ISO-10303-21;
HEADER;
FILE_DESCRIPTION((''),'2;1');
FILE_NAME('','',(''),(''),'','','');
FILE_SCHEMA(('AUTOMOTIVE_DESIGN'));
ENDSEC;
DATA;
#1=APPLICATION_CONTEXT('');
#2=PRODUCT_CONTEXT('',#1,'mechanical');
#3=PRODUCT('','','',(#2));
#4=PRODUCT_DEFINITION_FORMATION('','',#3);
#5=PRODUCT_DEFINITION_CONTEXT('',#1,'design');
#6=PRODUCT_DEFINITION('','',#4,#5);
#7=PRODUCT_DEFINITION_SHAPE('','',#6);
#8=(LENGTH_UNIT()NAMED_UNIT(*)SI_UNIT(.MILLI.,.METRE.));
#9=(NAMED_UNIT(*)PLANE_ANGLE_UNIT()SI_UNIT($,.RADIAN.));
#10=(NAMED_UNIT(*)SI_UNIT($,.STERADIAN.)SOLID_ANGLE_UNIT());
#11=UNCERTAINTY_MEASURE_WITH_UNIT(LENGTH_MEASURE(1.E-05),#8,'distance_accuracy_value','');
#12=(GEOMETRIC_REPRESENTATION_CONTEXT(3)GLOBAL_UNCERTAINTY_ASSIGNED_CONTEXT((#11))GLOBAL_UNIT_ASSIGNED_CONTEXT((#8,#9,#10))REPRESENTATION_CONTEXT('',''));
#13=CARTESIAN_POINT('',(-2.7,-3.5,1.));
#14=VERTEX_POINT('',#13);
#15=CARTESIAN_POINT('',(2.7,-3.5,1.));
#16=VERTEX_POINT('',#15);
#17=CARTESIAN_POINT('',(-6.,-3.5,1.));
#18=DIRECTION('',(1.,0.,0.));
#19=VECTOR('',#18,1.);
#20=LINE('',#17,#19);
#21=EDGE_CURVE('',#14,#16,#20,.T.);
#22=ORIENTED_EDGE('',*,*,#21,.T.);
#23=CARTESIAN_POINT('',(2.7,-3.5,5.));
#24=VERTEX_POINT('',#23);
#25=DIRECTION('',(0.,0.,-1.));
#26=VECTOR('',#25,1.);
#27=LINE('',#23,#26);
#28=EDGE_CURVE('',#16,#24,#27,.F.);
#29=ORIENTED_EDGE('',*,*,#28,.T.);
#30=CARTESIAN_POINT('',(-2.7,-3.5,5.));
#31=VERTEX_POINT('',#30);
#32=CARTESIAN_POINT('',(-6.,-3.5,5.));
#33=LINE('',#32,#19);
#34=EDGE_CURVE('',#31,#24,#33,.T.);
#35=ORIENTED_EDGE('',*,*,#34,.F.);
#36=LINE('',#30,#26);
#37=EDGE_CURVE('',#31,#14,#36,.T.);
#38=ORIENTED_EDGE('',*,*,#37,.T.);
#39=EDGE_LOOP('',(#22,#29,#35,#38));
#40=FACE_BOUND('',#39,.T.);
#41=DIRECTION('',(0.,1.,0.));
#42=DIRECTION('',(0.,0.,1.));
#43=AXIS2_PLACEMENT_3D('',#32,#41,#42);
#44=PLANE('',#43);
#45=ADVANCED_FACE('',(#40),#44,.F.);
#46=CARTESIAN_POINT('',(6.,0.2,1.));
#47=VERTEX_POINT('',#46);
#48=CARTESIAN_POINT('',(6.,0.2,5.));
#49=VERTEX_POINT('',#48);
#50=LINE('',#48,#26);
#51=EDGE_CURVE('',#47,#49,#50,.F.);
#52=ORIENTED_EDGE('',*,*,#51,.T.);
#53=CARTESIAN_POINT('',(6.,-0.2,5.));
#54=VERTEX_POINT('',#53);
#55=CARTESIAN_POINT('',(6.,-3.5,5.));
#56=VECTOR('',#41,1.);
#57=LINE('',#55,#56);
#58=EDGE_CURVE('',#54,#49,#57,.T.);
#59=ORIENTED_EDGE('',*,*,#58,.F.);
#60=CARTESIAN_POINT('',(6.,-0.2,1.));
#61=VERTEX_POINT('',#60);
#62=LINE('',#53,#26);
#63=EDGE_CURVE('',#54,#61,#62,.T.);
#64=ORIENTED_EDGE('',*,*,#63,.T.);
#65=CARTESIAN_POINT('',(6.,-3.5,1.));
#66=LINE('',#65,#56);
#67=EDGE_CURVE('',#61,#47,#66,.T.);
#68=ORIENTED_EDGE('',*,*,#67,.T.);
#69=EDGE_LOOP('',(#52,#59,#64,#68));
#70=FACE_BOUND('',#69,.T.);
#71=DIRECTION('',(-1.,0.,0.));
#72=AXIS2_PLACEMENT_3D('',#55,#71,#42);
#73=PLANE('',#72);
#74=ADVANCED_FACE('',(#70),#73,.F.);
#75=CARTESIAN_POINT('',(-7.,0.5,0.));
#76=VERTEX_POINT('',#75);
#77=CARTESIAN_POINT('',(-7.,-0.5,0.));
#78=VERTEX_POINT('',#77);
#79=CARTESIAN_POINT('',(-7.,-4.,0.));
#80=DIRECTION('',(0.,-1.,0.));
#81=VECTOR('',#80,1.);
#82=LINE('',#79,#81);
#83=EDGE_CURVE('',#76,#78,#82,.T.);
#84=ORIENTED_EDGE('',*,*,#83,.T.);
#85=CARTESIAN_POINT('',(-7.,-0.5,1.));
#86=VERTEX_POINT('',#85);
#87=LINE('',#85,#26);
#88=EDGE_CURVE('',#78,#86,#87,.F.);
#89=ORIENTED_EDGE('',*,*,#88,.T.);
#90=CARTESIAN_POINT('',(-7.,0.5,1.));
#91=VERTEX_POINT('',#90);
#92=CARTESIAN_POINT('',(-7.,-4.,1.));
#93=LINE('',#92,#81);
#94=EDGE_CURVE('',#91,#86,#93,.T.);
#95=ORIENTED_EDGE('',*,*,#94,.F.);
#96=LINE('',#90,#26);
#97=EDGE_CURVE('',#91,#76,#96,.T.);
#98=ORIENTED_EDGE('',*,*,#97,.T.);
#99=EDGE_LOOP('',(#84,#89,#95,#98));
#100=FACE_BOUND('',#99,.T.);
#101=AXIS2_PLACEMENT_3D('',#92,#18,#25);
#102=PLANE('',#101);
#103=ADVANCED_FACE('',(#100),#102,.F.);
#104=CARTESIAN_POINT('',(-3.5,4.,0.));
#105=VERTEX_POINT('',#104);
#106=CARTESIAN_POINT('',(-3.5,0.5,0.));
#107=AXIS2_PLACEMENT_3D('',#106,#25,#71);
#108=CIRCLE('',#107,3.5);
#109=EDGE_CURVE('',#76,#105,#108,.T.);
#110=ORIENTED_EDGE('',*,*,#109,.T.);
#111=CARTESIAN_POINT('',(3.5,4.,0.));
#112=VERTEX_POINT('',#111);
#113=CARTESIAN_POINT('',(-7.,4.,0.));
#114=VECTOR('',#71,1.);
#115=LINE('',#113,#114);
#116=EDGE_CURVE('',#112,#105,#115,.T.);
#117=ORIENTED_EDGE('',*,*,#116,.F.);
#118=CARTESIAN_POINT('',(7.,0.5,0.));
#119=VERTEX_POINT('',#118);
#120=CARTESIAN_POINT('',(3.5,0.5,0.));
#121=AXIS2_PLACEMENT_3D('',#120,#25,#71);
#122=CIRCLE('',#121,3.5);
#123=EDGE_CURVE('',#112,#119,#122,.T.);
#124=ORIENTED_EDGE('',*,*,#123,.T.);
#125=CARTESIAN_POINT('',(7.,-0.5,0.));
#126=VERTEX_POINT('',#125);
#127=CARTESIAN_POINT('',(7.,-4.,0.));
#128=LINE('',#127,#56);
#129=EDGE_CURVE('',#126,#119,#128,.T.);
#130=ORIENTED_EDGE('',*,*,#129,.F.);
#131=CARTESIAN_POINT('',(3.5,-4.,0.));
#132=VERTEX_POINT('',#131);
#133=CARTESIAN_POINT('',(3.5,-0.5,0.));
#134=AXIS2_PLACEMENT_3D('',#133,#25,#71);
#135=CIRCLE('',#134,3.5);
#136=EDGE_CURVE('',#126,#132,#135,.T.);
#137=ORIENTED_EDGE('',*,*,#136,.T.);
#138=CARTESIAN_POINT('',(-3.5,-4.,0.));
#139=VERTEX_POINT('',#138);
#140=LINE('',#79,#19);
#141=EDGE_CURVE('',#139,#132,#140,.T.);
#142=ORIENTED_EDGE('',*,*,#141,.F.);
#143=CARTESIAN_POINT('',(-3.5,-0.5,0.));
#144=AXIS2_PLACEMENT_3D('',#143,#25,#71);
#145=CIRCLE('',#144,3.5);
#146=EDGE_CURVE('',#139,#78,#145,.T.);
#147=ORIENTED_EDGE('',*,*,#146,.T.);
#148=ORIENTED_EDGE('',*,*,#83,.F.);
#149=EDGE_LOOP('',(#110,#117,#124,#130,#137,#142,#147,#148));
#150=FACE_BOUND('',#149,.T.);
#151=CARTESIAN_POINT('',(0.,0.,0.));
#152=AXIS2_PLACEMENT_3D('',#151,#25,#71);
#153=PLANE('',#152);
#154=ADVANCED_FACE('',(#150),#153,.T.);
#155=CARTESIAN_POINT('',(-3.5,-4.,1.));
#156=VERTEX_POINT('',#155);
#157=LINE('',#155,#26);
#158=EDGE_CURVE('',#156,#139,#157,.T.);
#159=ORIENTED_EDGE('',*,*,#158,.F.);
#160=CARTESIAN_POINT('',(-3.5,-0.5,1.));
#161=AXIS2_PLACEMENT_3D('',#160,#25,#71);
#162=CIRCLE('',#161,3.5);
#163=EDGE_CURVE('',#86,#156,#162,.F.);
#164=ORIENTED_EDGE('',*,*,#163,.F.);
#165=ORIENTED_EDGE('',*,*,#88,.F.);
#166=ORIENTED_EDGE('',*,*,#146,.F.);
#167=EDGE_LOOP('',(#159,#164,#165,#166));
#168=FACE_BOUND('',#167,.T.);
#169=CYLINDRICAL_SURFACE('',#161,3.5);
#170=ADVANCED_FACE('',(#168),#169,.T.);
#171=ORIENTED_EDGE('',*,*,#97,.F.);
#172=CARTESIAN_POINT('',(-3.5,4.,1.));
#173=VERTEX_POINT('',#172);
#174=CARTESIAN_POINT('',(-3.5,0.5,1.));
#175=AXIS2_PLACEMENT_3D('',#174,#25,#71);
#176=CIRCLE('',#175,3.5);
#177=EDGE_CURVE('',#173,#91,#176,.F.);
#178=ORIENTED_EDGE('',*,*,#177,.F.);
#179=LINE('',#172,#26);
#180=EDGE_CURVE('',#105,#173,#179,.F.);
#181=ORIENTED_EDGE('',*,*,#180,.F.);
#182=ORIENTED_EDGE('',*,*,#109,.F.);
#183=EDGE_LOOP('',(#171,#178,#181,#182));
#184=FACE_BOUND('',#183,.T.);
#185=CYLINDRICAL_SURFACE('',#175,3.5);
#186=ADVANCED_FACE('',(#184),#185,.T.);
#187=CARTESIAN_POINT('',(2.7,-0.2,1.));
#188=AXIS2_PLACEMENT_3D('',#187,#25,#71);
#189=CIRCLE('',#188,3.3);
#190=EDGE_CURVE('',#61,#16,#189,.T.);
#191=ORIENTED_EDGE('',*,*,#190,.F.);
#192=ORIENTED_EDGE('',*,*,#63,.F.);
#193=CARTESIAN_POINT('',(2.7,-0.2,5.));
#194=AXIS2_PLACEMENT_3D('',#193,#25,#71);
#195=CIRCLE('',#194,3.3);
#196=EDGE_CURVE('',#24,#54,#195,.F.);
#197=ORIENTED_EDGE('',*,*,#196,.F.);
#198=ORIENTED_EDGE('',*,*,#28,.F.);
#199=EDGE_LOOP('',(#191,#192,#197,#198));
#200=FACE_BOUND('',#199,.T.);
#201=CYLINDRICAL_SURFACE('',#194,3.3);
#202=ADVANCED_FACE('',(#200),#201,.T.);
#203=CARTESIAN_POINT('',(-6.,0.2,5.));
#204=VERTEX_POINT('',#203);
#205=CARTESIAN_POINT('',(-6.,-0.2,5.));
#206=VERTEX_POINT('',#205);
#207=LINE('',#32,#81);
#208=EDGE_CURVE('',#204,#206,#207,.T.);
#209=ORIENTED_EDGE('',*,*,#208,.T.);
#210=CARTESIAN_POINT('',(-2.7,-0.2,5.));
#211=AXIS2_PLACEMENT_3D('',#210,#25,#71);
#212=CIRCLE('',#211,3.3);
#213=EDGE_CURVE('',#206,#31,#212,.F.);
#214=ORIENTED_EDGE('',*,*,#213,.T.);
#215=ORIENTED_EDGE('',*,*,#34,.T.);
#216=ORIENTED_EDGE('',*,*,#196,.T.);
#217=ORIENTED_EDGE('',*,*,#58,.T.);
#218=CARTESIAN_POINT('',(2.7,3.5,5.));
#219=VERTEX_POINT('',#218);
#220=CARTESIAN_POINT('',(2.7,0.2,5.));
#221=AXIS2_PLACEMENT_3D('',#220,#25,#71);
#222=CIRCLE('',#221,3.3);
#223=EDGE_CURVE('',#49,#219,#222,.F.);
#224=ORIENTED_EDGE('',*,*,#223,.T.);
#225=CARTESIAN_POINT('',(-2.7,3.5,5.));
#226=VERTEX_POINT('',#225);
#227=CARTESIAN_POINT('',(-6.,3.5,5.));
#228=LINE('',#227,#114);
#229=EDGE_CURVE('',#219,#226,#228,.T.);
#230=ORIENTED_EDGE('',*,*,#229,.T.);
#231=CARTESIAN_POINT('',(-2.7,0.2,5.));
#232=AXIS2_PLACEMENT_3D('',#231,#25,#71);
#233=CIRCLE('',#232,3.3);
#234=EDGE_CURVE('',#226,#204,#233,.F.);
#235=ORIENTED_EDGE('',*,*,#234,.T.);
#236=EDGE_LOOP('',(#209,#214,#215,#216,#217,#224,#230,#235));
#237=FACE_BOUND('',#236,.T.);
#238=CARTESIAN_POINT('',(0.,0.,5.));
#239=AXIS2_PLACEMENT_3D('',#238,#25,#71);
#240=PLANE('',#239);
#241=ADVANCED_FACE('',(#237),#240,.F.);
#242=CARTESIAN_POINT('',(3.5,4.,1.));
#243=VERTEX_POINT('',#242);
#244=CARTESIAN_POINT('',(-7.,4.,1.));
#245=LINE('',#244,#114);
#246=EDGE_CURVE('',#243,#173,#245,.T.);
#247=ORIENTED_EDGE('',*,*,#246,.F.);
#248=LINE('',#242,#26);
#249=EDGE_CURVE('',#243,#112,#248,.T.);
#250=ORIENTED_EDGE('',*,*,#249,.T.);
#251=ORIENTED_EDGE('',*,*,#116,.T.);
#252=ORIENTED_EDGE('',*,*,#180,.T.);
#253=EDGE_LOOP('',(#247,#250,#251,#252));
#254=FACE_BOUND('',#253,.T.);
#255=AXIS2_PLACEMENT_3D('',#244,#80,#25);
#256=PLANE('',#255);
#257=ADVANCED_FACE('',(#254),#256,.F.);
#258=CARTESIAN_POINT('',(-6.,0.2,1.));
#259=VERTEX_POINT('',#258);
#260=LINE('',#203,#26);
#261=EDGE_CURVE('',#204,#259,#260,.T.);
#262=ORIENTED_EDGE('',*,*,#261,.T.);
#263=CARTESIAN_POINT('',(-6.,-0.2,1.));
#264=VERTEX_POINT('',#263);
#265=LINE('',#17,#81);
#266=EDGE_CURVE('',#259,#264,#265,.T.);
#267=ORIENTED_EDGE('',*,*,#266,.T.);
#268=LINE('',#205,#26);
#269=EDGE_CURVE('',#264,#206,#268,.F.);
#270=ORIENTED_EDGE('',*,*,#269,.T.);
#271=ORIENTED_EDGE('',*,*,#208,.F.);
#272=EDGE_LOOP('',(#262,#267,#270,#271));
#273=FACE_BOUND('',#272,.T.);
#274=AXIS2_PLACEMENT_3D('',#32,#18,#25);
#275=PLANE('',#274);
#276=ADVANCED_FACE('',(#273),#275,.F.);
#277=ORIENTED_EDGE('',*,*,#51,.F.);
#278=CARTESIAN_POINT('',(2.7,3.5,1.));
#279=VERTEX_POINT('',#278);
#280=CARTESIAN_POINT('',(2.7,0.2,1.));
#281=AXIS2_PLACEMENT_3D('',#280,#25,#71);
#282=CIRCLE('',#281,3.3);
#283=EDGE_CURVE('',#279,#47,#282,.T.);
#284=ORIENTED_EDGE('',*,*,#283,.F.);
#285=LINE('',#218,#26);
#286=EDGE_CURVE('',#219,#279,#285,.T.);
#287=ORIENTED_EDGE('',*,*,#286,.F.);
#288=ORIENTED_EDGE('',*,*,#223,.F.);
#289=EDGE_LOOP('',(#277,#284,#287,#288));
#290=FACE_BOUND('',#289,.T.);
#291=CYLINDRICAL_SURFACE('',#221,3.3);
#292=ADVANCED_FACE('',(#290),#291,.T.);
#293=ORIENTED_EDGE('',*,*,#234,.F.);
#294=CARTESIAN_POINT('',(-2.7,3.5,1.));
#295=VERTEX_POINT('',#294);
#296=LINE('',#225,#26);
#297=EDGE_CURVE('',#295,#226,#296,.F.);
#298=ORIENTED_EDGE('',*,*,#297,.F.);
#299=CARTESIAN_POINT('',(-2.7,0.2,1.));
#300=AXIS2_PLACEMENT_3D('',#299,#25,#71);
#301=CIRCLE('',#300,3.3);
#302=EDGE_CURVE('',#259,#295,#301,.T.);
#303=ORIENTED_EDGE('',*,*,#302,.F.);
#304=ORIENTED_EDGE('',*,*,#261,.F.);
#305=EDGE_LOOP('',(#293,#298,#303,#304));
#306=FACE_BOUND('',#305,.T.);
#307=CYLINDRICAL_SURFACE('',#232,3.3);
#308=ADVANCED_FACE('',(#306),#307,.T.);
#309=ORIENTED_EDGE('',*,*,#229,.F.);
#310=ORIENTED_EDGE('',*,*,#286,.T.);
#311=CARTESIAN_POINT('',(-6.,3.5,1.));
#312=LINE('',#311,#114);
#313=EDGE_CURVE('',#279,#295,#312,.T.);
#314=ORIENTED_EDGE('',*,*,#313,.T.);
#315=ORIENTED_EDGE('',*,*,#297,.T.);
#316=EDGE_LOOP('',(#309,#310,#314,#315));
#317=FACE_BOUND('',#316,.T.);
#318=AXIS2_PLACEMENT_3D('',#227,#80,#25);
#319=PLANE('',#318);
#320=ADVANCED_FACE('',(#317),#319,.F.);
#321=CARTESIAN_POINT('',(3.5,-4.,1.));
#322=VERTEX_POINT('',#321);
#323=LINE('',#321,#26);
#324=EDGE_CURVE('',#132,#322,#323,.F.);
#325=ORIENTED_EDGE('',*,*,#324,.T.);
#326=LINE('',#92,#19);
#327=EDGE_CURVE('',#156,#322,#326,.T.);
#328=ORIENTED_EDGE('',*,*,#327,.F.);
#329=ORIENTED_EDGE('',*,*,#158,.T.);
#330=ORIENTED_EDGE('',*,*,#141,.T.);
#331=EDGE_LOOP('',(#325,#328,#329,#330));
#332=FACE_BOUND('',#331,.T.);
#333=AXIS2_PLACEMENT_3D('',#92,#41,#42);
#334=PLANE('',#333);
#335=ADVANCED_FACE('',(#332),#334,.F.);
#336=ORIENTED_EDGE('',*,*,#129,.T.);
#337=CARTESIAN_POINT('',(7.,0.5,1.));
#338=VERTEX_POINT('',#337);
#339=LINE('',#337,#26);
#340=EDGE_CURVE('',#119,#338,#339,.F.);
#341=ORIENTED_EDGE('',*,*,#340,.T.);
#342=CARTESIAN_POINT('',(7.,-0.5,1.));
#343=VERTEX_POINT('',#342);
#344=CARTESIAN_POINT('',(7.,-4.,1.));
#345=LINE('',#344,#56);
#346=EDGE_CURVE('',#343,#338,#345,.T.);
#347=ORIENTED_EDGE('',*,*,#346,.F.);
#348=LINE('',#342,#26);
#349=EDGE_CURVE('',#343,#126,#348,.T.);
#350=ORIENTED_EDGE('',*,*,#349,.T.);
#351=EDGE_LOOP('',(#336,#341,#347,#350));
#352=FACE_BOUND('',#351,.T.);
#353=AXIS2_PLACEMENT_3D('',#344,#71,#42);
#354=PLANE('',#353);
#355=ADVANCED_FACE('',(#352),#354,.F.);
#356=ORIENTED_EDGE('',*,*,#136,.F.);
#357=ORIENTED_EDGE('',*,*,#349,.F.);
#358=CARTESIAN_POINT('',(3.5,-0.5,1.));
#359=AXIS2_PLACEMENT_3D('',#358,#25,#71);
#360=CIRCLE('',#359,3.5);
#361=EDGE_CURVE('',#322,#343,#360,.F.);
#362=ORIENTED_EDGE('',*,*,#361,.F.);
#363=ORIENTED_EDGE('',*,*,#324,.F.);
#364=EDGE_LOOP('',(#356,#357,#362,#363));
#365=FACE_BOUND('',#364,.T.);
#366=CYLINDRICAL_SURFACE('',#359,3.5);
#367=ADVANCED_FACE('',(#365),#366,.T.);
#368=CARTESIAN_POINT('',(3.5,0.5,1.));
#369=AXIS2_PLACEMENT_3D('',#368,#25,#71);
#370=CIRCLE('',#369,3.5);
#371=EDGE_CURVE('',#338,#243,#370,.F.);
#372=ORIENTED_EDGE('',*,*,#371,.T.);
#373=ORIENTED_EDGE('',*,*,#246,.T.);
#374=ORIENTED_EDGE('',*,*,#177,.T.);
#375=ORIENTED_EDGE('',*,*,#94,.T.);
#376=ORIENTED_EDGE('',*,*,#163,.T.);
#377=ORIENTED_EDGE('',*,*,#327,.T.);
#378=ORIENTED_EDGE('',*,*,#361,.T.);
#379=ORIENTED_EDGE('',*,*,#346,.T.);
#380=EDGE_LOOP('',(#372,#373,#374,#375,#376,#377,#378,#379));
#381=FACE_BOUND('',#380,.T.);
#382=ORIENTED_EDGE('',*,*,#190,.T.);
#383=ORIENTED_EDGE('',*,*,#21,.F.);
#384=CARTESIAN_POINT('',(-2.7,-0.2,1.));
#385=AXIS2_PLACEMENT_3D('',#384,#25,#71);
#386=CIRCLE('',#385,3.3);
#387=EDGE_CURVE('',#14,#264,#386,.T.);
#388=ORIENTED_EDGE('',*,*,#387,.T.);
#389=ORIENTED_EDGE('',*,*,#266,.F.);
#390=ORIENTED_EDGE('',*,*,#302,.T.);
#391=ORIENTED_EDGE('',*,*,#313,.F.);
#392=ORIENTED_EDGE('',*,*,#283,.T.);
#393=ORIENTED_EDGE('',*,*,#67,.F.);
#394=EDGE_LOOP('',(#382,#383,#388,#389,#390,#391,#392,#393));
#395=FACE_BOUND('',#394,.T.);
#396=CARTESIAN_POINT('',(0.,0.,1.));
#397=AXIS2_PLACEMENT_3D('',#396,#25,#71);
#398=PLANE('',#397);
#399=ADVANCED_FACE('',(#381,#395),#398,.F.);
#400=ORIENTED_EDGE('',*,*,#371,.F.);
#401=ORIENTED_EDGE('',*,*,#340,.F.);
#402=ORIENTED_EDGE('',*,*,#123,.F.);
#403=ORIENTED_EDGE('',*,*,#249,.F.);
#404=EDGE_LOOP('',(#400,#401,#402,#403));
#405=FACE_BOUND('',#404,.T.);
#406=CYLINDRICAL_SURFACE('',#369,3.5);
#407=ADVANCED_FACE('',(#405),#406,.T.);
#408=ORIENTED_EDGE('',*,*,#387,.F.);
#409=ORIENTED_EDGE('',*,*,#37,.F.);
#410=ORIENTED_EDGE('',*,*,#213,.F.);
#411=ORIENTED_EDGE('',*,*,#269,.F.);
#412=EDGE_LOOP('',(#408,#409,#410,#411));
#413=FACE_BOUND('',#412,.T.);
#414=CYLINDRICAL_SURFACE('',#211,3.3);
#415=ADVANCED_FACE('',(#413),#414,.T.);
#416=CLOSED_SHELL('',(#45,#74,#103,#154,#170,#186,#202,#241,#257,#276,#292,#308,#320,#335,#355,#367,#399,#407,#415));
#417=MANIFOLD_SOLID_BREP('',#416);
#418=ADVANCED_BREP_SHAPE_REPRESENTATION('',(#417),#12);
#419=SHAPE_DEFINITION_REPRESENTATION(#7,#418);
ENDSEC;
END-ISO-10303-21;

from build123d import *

# Parameters (mm, degrees)
SKETCH1_W           = 14
SKETCH1_H           = 8
BOSS_EXTRUDE1_DEPTH = 1
SKETCH2_W           = 12
SKETCH2_H           = 7
BOSS_EXTRUDE2_DEPTH = 4
FILLET2_R           = 3.3
FILLET1_R           = 3.5


with BuildPart() as part:
    # Sketch1 → Boss-Extrude1 (new body)
    with BuildSketch(Plane.XY):
        Rectangle(SKETCH1_W, SKETCH1_H)
    extrude(amount=BOSS_EXTRUDE1_DEPTH)

    # Sketch2 → Boss-Extrude2 (add)
    with BuildSketch(Plane.XY.offset(1)):
        Rectangle(SKETCH2_W, SKETCH2_H)
    extrude(amount=BOSS_EXTRUDE2_DEPTH)

    # Fillet2
    fillet2_edges = [part.edges().sort_by_distance(p)[0] for p in [
        (6, -3.5, 3),
        (6, 3.5, 3),
        (-6, 3.5, 3),
        (-6, -3.5, 3),
    ]]
    fillet(fillet2_edges, radius=FILLET2_R)

    # Fillet1
    fillet1_edges = [part.edges().sort_by_distance(p)[0] for p in [
        (7, -4, 0.5),
        (-7, -4, 0.5),
        (-7, 4, 0.5),
        (7, 4, 0.5),
    ]]
    fillet(fillet1_edges, radius=FILLET1_R)


solid = part.part
